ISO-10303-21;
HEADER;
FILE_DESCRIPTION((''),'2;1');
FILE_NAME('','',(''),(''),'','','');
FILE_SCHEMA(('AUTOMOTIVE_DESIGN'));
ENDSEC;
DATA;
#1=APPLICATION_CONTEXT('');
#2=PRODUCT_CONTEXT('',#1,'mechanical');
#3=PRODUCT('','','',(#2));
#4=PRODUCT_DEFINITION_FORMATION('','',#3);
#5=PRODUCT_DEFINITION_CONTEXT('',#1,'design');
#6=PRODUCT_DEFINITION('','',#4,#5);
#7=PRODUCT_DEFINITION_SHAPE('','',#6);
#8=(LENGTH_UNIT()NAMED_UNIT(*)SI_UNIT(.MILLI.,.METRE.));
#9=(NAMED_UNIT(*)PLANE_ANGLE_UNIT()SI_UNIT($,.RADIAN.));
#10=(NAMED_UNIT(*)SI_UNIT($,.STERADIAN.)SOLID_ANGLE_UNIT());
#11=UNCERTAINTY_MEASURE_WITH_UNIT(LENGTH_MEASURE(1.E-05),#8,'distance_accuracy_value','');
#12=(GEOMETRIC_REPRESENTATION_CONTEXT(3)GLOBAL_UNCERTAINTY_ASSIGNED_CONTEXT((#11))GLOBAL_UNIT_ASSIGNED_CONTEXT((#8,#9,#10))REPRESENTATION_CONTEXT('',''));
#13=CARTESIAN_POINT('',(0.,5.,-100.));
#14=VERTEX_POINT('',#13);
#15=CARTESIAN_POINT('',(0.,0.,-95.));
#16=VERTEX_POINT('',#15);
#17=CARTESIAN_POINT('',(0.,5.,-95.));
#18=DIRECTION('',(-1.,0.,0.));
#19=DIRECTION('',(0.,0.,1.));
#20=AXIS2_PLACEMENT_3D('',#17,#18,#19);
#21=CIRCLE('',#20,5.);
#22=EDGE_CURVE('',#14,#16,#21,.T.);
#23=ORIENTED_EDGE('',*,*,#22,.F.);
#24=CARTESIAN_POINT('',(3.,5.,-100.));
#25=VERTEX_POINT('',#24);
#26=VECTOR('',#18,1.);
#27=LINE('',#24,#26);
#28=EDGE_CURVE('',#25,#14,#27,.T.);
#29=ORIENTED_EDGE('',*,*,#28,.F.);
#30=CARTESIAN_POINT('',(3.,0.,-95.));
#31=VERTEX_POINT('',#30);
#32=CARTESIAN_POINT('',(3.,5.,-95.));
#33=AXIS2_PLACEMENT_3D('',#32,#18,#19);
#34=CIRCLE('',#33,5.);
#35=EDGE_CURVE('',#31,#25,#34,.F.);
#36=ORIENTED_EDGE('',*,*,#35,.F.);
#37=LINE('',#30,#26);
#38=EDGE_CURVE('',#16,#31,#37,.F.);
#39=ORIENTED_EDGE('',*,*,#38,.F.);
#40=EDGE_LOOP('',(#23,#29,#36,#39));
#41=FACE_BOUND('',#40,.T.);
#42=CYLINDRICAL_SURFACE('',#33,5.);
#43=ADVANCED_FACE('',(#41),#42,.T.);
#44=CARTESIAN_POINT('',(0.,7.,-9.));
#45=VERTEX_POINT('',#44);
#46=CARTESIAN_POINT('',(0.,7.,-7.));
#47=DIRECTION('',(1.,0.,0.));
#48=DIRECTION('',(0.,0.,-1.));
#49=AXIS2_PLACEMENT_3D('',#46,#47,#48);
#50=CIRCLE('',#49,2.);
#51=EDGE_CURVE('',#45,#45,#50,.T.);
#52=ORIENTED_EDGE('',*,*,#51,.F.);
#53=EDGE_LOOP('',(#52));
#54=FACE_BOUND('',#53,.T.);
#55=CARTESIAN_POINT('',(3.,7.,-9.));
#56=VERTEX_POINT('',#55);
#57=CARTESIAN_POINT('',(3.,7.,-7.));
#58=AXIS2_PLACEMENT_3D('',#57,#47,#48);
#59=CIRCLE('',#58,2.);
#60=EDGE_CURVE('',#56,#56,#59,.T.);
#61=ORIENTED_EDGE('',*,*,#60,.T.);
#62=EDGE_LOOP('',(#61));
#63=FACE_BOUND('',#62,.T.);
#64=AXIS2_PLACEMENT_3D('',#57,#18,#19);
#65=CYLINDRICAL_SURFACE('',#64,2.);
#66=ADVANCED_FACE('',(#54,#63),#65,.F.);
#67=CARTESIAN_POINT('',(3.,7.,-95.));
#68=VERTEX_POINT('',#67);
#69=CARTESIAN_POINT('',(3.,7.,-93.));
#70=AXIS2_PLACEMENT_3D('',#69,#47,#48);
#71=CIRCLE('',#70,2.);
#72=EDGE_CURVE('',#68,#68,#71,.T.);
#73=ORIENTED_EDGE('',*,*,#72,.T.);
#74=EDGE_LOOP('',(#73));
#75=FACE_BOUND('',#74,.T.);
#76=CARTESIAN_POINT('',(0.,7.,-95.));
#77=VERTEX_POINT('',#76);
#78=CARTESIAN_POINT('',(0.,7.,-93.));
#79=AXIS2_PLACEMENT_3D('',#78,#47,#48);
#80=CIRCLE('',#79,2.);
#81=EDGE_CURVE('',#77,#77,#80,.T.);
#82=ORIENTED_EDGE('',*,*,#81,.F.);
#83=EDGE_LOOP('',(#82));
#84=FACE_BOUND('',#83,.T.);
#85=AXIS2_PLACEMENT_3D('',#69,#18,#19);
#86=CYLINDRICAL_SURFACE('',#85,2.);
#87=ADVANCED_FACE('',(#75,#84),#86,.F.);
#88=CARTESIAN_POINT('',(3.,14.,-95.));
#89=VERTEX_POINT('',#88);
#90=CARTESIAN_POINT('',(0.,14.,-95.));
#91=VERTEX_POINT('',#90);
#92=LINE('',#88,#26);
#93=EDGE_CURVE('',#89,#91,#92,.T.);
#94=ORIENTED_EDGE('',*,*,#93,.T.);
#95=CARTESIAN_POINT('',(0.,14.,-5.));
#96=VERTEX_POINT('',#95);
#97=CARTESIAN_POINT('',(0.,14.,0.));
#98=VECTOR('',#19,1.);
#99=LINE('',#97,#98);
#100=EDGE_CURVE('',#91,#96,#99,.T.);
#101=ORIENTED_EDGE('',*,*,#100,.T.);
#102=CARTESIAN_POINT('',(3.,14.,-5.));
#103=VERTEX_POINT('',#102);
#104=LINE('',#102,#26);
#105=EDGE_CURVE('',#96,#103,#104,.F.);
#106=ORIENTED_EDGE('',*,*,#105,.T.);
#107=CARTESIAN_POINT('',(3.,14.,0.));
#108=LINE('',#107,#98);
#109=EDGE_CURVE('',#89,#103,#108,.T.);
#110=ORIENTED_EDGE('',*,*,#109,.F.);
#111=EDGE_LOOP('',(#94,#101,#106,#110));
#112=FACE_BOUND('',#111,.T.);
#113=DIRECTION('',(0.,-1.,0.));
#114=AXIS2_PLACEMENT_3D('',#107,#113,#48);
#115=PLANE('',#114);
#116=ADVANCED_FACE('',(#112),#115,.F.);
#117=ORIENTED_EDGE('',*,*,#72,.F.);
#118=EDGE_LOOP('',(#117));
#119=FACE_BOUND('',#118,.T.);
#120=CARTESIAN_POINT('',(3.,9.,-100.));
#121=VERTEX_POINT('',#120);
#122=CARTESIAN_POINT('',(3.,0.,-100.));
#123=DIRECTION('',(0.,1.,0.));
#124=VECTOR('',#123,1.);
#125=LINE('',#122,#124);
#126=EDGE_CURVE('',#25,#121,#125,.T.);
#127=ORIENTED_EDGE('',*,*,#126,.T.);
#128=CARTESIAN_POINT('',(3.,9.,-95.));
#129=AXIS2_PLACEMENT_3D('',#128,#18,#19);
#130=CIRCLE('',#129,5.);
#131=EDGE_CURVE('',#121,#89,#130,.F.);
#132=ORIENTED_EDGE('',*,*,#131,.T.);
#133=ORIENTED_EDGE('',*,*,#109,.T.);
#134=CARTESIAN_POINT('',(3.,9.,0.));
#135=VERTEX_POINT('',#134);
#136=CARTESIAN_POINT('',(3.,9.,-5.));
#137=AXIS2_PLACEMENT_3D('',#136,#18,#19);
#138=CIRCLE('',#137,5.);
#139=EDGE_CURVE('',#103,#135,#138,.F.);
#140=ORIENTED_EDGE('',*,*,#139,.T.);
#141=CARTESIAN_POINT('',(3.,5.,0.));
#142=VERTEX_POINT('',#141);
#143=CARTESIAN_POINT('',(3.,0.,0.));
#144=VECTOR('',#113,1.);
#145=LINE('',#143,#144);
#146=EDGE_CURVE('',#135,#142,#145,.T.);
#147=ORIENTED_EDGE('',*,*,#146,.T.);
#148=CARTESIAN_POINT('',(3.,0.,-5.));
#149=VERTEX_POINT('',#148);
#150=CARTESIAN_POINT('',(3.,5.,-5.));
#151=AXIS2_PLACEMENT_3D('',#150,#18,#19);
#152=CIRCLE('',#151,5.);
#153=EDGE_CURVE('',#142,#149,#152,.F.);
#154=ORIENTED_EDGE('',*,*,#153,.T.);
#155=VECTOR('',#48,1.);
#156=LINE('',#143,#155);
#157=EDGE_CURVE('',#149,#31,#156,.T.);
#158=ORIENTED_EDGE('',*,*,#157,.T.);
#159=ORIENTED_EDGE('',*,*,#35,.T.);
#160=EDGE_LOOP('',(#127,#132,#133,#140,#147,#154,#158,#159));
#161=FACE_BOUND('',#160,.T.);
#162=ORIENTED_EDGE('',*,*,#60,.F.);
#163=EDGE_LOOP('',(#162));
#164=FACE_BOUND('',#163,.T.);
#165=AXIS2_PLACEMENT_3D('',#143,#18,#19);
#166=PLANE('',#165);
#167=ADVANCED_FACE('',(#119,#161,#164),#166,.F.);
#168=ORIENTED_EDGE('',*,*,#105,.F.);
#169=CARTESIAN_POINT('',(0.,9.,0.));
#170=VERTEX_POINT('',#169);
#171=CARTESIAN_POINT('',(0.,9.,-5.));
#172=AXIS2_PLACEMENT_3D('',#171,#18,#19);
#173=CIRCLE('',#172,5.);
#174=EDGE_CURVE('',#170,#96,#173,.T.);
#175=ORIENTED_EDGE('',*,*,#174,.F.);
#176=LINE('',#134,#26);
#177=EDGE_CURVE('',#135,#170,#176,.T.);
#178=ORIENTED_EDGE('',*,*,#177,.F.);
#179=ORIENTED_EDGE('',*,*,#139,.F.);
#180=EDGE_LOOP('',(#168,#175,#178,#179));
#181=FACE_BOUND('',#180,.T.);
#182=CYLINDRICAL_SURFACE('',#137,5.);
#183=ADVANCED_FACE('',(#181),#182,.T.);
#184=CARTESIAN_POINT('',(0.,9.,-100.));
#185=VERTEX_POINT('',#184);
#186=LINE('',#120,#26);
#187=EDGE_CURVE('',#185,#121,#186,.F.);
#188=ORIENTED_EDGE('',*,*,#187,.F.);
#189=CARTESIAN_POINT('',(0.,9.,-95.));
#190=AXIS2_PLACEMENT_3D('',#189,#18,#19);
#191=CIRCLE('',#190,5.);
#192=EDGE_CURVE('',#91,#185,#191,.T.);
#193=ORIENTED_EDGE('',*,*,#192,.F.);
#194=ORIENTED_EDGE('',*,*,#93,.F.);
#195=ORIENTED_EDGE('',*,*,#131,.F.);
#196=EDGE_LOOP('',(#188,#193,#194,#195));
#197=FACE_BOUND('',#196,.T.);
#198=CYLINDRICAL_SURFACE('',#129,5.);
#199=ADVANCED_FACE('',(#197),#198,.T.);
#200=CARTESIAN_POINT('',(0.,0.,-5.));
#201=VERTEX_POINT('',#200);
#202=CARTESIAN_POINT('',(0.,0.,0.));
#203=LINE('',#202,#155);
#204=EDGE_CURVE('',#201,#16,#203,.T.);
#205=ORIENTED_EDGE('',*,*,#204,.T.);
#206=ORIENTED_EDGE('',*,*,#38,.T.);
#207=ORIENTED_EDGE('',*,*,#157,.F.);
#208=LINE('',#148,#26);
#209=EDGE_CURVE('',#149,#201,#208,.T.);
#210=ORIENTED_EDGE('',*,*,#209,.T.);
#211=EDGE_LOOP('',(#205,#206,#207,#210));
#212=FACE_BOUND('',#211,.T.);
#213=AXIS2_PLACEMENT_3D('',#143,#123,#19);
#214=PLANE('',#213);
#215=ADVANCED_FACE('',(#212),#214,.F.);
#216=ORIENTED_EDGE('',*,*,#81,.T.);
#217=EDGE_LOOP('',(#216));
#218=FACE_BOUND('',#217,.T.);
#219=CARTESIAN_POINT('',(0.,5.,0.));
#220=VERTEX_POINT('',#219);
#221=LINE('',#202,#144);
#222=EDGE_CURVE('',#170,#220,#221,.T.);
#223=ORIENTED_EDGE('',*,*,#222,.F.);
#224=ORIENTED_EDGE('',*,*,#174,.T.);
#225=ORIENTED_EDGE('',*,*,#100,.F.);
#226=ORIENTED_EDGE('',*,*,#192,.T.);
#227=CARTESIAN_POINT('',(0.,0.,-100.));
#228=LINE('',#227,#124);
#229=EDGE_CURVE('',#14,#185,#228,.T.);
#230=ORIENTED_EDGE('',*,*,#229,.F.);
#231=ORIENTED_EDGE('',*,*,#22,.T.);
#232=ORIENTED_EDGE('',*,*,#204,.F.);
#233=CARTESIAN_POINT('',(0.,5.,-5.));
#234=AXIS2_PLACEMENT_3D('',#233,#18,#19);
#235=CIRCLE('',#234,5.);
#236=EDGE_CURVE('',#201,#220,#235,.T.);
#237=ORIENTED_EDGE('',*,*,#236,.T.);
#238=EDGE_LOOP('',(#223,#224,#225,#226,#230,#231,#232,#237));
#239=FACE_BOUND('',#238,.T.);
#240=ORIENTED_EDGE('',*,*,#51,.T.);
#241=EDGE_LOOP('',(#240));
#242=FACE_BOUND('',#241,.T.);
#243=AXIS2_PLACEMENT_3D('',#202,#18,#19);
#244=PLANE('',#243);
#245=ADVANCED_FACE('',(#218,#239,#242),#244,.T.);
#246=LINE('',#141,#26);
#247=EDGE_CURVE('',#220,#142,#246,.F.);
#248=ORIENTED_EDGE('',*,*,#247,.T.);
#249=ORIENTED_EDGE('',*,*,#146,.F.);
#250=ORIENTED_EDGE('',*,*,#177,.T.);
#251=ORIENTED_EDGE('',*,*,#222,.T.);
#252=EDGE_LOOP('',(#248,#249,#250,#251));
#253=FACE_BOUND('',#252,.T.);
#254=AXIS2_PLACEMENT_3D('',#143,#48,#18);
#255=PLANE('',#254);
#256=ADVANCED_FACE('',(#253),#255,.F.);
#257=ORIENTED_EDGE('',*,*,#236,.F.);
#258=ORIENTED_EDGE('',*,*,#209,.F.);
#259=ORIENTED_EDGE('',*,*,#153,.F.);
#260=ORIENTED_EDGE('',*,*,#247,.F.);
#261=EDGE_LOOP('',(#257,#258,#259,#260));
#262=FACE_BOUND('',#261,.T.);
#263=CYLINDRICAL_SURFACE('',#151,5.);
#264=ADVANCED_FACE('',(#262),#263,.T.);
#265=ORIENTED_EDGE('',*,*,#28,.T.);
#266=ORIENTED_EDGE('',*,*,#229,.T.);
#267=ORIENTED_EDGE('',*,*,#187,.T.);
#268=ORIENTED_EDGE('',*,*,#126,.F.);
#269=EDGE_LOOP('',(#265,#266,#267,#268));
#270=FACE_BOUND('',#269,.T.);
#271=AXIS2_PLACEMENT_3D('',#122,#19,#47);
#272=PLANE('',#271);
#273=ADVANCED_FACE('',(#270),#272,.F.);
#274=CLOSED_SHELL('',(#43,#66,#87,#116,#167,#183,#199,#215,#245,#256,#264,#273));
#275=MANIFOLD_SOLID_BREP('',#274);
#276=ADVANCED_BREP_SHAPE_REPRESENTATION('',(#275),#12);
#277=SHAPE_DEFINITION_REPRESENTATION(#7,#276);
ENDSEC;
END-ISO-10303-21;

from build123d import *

# Parameters (mm, degrees)
SKETCH2_W           = 100
SKETCH2_H           = 14
SKETCH2_R           = 2
BOSS_EXTRUDE2_DEPTH = 3
FILLET1_R           = 5


with BuildPart() as part:
    # Sketch2 → Boss-Extrude2 (new body)
    with BuildSketch(Plane(origin=(0, 0, 0), x_dir=(0, 0, -1), z_dir=(1, 0, 0))):
        with Locations((50, 7)):
            Rectangle(SKETCH2_W, SKETCH2_H)
        with Locations((7, 7)):
            Circle(SKETCH2_R, mode=Mode.SUBTRACT)
        with Locations((93, 7)):
            Circle(SKETCH2_R, mode=Mode.SUBTRACT)
    extrude(amount=BOSS_EXTRUDE2_DEPTH)

    # Fillet1
    fillet1_edges = [part.edges().sort_by_distance(p)[0] for p in [
        (1.5, 14, 0),
        (1.5, 14, -100),
        (1.5, 0, -100),
        (1.5, 0, 0),
    ]]
    fillet(fillet1_edges, radius=FILLET1_R)


solid = part.part
